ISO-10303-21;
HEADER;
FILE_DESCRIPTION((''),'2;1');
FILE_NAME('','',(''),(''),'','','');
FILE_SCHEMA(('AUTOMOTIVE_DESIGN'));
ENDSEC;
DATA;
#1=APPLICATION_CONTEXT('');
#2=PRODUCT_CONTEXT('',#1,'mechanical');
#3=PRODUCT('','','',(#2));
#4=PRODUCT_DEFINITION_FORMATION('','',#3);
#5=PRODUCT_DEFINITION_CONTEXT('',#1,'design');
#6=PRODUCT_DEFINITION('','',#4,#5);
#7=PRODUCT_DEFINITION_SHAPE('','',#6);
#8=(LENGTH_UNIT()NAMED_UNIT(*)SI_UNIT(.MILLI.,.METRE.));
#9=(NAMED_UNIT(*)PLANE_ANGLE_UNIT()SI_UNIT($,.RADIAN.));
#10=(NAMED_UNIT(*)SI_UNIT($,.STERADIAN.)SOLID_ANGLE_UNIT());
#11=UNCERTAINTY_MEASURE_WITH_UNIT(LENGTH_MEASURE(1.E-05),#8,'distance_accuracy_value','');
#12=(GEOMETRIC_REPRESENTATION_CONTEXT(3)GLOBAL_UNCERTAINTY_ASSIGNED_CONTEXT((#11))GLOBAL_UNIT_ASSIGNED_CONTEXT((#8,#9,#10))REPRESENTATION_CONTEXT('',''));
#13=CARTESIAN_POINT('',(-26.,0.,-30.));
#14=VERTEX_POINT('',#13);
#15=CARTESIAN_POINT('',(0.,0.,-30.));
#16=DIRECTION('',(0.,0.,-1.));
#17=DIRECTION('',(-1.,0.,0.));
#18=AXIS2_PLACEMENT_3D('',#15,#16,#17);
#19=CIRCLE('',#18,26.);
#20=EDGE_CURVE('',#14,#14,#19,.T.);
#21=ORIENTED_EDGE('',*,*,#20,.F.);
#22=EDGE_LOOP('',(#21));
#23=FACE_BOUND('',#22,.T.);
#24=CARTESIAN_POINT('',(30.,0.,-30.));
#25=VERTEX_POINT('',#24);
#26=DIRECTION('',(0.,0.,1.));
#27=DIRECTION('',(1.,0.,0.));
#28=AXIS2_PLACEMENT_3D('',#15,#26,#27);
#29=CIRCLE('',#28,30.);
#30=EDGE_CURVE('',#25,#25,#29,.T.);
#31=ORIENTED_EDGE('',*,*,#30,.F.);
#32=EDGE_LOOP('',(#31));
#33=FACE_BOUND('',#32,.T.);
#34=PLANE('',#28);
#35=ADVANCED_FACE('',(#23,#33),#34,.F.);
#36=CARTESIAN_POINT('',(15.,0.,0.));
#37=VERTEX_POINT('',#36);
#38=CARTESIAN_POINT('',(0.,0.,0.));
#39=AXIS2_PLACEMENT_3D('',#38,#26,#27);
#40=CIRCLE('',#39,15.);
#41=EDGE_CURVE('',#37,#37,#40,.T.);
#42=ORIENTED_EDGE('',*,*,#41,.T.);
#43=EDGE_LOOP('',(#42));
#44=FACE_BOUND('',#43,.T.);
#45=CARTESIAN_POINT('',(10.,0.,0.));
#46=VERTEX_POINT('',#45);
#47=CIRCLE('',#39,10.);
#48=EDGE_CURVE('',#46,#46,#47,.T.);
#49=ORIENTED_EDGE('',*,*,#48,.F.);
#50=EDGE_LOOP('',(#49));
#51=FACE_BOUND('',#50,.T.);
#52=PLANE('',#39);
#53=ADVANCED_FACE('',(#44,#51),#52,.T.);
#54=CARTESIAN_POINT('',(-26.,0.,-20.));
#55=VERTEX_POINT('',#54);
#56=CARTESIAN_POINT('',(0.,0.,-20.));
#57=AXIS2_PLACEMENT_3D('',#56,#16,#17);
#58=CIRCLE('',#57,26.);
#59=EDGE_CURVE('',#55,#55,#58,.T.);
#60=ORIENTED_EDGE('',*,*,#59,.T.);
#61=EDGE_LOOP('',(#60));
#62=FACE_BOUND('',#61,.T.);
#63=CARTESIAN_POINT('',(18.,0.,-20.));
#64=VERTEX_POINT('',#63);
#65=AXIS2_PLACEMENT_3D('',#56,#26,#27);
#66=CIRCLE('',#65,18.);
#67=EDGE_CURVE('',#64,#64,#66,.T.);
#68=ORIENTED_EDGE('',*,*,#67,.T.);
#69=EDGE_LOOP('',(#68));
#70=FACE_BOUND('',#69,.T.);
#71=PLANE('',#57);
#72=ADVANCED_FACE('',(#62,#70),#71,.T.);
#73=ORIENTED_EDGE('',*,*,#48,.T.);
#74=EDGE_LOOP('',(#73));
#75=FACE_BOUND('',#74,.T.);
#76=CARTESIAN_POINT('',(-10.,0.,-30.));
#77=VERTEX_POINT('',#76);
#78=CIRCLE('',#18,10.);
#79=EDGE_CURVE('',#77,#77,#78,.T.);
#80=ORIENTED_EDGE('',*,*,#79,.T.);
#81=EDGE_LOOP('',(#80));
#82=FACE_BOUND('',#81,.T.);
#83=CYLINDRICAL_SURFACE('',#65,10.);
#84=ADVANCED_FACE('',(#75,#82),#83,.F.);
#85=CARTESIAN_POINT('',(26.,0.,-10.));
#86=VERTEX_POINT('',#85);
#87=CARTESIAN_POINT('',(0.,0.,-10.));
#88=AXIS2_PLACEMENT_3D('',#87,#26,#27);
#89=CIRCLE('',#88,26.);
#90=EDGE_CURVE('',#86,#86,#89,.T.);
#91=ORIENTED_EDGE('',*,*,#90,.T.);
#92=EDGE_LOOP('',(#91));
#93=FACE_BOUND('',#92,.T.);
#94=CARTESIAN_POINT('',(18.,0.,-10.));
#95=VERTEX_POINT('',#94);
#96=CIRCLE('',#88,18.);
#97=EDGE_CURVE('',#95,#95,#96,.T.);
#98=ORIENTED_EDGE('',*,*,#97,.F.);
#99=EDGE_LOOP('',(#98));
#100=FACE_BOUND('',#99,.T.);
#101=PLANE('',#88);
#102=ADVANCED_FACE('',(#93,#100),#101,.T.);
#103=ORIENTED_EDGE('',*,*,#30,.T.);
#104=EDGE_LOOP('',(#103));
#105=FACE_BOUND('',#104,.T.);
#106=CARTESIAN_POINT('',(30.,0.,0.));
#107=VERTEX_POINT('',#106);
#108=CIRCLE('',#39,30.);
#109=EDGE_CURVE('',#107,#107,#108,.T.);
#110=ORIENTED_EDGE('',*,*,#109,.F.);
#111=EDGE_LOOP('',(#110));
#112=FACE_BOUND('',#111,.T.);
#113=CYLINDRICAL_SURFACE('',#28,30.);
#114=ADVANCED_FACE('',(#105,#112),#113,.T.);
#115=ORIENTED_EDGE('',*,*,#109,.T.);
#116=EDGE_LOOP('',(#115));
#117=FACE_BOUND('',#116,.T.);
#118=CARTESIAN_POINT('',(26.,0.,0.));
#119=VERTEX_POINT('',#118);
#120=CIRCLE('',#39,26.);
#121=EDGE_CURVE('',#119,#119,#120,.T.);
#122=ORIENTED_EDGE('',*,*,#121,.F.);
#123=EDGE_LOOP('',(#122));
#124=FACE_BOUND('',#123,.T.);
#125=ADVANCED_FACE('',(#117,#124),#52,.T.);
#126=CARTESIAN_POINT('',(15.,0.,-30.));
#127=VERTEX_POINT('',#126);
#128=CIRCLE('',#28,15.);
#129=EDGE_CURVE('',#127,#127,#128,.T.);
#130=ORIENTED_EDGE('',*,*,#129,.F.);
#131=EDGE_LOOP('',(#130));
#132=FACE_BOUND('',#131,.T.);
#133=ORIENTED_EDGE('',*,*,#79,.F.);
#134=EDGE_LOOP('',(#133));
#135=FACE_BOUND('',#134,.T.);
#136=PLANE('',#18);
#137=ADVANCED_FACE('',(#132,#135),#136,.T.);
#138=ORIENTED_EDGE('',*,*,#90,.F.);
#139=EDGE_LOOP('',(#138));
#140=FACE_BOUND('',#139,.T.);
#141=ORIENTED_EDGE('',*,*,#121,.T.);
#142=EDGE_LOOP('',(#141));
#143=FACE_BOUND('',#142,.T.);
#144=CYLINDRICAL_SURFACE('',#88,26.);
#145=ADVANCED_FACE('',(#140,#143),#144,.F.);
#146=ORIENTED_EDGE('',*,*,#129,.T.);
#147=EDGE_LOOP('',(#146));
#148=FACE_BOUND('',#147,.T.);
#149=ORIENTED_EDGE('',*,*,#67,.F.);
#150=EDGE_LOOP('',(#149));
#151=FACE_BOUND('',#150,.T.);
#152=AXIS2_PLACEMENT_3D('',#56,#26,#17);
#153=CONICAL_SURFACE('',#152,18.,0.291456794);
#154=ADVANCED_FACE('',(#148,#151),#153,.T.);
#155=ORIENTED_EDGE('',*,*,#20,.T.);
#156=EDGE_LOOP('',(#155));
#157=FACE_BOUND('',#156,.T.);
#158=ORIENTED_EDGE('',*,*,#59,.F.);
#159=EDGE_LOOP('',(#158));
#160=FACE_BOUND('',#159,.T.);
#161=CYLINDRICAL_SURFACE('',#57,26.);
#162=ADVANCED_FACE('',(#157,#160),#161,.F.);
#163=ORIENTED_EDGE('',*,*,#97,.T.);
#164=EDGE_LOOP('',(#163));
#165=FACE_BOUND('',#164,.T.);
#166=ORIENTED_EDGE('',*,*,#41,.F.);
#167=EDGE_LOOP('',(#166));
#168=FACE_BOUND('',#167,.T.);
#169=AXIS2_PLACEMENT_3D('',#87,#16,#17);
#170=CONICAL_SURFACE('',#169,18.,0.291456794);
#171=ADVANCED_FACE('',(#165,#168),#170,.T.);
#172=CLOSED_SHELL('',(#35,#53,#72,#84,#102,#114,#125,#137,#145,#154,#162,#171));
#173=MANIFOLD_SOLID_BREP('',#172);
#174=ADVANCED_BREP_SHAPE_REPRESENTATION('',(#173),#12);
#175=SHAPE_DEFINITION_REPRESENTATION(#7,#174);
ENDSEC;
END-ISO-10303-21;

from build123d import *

# Parameters (mm, degrees)
IZIM1_R                     = 30
Y_KSEKLIK_EKSTR_ZYON1_DEPTH = 30
IZIM2_R                     = 26
KES_EKSTR_ZYON1_DEPTH       = 10
IZIM3_R                     = 26
KES_EKSTR_ZYON2_DEPTH       = 10
IZIM4_R                     = 10
KES_EKSTR_ZYON3_DEPTH       = 10
IZIM6_R                     = 15
Y_KSEKLIK_EKSTR_ZYON3_DEPTH = 10
IZIM7_R                     = 10
KES_EKSTR_ZYON4_DEPTH       = 10
IZIM8_R                     = 15
Y_KSEKLIK_EKSTR_ZYON4_DEPTH = 10
IZIM9_R                     = 10
KES_EKSTR_ZYON5_DEPTH       = 10


with BuildPart() as part:
    # Çizim1 → Yükseklik-Ekstrüzyon1 (new body)
    with BuildSketch(Plane.XY):
        Circle(IZIM1_R)
    extrude(amount=-Y_KSEKLIK_EKSTR_ZYON1_DEPTH)

    # Çizim2 → Kes-Ekstrüzyon1 (cut)
    with BuildSketch(Plane.XY):
        Circle(IZIM2_R)
    extrude(amount=-KES_EKSTR_ZYON1_DEPTH, mode=Mode.SUBTRACT)

    # Çizim3 → Kes-Ekstrüzyon2 (cut)
    with BuildSketch(Plane(origin=(0, 0, -30), x_dir=(-1, 0, 0), z_dir=(0, 0, -1))):
        Circle(IZIM3_R)
    extrude(amount=-KES_EKSTR_ZYON2_DEPTH, mode=Mode.SUBTRACT)

    # Çizim4 → Kes-Ekstrüzyon3 (cut)
    with BuildSketch(Plane.XY.offset(-10)):
        Circle(IZIM4_R)
    extrude(amount=-KES_EKSTR_ZYON3_DEPTH, mode=Mode.SUBTRACT)

    # Çizim6 → Yükseklik-Ekstrüzyon3 (add)
    with BuildSketch(Plane.XY.offset(-10)):
        Circle(IZIM6_R)
    extrude(amount=Y_KSEKLIK_EKSTR_ZYON3_DEPTH)

    # Çizim7 → Kes-Ekstrüzyon4 (cut)
    with BuildSketch(Plane.XY):
        Circle(IZIM7_R)
    extrude(amount=-KES_EKSTR_ZYON4_DEPTH, mode=Mode.SUBTRACT)

    # Çizim8 → Yükseklik-Ekstrüzyon4 (add)
    with BuildSketch(Plane(origin=(0, 0, -20), x_dir=(-1, 0, 0), z_dir=(0, 0, -1))):
        Circle(IZIM8_R)
    extrude(amount=Y_KSEKLIK_EKSTR_ZYON4_DEPTH)

    # Çizim9 → Kes-Ekstrüzyon5 (cut)
    with BuildSketch(Plane(origin=(0, 0, -30), x_dir=(-1, 0, 0), z_dir=(0, 0, -1))):
        Circle(IZIM9_R)
    extrude(amount=-KES_EKSTR_ZYON5_DEPTH, mode=Mode.SUBTRACT)

    # Çizim12 → Döndür1 (revolve)
    with BuildSketch(Plane(origin=(0, 0, 0), x_dir=(0, 0, -1), z_dir=(1, 0, 0))):
        Polygon((10, 18), (0, 15), (10, 15), align=None)
    d_nd_r1 = revolve(axis=Axis((0, 0, 0), (0, 0, -1)))

    # Aynalama1: Döndür1 across plane
    add(d_nd_r1.mirror(Plane.XY.offset(-15)))


solid = part.part
